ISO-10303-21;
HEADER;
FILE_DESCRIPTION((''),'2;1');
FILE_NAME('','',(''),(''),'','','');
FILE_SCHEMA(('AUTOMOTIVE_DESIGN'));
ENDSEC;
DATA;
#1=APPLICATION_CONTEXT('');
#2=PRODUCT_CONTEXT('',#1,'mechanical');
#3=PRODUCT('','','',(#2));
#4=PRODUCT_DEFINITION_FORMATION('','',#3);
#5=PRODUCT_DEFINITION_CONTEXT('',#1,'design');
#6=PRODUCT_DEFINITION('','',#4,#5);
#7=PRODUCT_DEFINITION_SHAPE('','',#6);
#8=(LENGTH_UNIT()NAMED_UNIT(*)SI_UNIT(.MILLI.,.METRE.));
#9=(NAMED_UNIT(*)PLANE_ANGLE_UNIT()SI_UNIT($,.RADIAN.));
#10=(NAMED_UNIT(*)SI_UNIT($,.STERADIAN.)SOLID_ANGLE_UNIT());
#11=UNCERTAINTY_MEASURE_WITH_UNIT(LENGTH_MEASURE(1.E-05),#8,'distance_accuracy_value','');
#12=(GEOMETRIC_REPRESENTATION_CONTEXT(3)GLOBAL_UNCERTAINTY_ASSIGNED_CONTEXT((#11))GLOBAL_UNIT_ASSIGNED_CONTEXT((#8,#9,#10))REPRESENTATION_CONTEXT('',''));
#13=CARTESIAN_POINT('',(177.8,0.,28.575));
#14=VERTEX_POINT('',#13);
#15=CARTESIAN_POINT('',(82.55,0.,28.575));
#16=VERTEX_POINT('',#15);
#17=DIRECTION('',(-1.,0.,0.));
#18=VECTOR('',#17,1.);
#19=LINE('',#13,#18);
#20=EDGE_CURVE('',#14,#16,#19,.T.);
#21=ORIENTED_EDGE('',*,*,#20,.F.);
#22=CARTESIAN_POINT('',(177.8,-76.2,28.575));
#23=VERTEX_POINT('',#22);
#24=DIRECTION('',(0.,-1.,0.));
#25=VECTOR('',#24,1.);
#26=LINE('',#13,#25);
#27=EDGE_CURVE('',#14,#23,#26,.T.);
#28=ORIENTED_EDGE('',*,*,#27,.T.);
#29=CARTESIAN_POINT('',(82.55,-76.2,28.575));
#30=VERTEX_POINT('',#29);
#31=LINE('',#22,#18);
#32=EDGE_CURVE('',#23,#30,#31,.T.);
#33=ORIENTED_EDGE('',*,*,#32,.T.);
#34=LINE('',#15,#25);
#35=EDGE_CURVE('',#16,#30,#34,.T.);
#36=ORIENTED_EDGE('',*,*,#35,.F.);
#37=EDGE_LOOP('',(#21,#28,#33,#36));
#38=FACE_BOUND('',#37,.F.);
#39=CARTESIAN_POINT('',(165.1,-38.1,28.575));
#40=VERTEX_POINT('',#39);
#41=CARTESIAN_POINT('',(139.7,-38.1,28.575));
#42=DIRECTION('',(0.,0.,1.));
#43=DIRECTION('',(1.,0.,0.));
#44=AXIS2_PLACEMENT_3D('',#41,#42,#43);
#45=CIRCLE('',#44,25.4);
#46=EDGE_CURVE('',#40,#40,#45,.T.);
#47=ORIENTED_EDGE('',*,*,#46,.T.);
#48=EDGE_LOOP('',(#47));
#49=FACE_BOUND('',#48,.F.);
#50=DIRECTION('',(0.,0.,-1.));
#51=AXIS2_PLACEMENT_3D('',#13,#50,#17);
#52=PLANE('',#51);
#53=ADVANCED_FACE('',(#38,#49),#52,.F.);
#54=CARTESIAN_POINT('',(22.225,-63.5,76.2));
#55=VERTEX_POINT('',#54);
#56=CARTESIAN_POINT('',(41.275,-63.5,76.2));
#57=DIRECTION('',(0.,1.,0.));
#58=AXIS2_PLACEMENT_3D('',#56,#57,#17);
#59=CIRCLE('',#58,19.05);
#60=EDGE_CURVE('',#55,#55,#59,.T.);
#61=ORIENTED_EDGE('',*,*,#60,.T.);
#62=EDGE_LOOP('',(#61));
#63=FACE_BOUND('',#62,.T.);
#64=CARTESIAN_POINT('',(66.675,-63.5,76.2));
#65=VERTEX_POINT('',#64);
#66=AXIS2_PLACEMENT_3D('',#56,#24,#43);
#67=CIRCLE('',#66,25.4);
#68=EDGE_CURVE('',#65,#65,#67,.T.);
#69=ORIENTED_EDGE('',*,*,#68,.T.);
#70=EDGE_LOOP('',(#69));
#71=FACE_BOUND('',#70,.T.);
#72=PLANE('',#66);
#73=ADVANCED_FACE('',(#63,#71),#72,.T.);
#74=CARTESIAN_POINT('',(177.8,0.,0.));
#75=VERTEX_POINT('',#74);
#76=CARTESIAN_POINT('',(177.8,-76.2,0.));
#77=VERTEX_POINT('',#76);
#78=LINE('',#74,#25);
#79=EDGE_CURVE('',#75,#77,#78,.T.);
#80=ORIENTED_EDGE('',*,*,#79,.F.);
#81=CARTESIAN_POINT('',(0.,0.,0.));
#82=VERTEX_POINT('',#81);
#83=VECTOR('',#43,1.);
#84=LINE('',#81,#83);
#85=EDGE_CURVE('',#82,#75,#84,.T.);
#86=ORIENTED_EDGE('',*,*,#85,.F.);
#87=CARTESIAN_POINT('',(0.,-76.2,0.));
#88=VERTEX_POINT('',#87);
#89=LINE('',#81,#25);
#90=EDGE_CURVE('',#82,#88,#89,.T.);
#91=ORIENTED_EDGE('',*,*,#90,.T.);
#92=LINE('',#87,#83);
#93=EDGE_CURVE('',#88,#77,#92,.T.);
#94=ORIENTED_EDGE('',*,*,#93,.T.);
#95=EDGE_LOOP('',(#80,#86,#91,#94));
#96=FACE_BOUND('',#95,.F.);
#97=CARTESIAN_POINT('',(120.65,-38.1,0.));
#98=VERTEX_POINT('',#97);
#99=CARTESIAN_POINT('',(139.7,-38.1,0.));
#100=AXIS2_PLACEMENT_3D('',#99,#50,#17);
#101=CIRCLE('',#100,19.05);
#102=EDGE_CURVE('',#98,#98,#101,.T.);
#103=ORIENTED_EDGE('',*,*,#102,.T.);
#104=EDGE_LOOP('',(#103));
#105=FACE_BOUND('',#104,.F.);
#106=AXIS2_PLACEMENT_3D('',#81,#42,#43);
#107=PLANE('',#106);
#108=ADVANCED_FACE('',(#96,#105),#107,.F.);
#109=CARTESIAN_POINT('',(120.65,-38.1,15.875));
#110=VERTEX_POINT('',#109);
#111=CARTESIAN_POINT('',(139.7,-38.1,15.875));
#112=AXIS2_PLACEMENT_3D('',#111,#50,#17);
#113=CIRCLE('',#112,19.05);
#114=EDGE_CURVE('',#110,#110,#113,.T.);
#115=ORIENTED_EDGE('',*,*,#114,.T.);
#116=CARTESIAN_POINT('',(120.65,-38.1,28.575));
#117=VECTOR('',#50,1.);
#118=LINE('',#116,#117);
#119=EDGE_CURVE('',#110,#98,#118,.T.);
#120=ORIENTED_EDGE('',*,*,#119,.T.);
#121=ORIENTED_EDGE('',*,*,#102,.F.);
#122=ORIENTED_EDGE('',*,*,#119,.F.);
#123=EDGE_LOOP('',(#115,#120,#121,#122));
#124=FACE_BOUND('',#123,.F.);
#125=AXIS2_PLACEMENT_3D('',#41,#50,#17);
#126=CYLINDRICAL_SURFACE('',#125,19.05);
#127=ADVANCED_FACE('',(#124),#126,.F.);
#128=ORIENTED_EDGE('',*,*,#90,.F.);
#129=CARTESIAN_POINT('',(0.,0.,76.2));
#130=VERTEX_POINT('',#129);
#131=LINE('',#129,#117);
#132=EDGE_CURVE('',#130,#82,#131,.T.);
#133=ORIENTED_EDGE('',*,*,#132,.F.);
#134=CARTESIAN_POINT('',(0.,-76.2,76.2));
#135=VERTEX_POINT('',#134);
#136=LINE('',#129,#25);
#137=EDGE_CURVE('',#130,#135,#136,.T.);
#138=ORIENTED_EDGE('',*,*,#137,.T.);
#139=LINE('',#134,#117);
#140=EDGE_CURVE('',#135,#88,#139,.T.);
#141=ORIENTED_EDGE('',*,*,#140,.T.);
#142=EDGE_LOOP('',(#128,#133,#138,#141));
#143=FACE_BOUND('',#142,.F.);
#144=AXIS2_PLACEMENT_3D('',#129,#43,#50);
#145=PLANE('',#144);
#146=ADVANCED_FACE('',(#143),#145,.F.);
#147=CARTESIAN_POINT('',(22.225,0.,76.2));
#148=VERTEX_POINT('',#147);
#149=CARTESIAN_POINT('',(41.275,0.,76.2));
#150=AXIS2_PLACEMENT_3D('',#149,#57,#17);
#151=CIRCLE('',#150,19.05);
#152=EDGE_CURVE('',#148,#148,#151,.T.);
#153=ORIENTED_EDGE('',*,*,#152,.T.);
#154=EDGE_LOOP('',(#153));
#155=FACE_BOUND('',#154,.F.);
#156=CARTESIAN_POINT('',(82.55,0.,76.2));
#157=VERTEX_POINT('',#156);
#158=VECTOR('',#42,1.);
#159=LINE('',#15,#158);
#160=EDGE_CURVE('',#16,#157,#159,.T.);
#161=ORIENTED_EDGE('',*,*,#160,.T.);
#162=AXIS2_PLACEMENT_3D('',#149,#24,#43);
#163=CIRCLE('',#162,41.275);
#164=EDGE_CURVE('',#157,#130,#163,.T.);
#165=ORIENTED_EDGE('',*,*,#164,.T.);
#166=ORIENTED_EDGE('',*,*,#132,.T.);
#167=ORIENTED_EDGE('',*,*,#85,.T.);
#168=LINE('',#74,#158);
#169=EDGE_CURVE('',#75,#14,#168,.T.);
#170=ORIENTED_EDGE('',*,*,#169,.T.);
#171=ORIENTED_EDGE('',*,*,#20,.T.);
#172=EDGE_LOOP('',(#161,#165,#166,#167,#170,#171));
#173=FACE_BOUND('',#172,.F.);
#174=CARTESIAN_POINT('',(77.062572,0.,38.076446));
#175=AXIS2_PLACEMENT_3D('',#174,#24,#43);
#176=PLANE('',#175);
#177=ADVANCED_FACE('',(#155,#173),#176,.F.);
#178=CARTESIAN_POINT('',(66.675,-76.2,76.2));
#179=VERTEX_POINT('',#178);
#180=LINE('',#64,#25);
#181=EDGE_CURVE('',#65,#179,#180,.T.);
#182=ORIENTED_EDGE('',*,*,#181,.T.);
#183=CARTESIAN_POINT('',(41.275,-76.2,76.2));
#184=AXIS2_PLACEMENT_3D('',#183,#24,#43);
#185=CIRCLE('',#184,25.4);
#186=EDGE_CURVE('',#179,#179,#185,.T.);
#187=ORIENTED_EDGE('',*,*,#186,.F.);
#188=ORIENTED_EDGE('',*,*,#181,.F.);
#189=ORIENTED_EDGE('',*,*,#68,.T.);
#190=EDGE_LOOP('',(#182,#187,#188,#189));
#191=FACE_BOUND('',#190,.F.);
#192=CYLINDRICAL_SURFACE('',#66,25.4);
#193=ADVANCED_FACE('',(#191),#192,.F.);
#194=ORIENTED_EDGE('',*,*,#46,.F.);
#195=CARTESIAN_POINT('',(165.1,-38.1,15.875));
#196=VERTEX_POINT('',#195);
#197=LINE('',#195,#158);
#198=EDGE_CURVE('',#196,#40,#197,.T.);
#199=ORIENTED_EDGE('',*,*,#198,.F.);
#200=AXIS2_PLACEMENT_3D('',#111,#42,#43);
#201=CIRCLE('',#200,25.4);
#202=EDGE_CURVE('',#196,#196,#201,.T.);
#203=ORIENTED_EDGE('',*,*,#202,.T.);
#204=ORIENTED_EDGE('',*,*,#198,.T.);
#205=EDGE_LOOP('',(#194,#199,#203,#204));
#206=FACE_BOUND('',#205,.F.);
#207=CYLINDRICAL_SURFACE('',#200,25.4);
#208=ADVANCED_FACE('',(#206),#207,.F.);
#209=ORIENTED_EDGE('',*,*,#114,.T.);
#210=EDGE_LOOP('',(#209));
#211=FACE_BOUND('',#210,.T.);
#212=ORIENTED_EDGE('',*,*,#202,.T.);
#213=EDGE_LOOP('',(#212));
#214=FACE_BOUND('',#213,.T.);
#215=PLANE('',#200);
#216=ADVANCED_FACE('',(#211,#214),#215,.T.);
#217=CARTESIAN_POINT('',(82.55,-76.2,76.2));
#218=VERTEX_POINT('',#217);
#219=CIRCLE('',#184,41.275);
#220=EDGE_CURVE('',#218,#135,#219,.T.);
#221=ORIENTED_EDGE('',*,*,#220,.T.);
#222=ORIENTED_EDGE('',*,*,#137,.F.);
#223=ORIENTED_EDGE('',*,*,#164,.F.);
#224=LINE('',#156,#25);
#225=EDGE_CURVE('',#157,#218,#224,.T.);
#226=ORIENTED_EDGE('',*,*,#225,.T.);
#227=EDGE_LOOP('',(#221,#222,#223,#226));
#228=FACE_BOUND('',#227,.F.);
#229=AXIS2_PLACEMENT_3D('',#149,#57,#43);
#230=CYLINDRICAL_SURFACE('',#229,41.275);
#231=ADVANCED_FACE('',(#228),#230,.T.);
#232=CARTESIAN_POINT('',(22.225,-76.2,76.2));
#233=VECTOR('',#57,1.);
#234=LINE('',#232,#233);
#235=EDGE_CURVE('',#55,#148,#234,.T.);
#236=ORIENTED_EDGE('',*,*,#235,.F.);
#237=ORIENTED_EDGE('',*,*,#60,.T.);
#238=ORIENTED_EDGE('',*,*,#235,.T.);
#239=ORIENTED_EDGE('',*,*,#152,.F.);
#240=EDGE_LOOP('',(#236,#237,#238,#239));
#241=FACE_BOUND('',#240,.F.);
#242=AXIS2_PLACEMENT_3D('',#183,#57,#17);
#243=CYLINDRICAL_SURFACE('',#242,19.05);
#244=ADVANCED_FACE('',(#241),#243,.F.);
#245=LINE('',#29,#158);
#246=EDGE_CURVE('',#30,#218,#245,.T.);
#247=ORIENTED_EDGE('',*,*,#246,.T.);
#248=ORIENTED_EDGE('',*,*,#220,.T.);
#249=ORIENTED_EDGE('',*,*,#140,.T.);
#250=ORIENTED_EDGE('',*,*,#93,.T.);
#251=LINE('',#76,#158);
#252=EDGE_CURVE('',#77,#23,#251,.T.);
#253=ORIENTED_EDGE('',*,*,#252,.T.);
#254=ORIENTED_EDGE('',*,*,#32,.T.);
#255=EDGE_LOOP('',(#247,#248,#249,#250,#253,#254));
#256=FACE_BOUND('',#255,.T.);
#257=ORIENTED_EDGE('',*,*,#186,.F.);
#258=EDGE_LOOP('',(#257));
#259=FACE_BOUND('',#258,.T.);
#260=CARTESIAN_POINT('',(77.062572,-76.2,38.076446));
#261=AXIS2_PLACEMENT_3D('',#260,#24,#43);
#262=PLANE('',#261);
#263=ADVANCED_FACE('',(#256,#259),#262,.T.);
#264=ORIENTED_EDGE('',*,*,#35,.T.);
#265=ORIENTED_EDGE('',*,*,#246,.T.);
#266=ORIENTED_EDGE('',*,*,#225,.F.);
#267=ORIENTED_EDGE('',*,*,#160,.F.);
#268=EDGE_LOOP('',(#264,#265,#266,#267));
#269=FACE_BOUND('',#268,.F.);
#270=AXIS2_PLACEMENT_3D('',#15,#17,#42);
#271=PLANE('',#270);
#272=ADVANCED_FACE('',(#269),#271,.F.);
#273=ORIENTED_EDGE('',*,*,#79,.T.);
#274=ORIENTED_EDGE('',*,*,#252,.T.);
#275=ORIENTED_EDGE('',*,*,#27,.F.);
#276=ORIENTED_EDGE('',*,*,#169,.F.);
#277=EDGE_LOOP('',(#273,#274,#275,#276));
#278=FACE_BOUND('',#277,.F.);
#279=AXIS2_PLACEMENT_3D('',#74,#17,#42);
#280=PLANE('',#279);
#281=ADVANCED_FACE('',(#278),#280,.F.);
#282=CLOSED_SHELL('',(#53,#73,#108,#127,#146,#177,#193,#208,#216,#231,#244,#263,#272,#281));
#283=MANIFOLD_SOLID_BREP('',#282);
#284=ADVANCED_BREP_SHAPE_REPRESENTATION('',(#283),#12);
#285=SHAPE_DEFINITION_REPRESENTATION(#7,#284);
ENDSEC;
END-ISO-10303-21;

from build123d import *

# Parameters (mm, degrees)
F1_DEPTH       = 76.2
F4_D           = 38.1
F4_CBORE_D     = 50.8
F4_CBORE_DEPTH = 12.7
F5_D           = 38.1
F5_CBORE_D     = 50.8
F5_CBORE_DEPTH = 12.7


with BuildPart() as f1:
    # F0 (on Front) → F1 (new body)
    with BuildSketch(Plane.XZ):
        with BuildLine():
            Line((0, 76.2), (0, 0))
            Line((0, 0), (177.8, 0))
            Line((177.8, 0), (177.8, 28.575))
            Line((177.8, 28.575), (82.55, 28.575))
            Line((82.55, 28.575), (82.55, 76.2))
            ThreePointArc((82.55, 76.2), (41.275, 117.475), (0, 76.2))
        make_face()
    extrude(amount=F1_DEPTH)

    # F4 (through all)
    with Locations(Plane.XZ.offset(76.2)):
        with Locations((41.275, 76.2)):
            CounterBoreHole(F4_D / 2, F4_CBORE_D / 2, F4_CBORE_DEPTH)

    # F5 (through all)
    with Locations(Plane.XY.offset(28.575)):
        with Locations((139.7, -38.1)):
            CounterBoreHole(F5_D / 2, F5_CBORE_D / 2, F5_CBORE_DEPTH)


solid = f1.part
